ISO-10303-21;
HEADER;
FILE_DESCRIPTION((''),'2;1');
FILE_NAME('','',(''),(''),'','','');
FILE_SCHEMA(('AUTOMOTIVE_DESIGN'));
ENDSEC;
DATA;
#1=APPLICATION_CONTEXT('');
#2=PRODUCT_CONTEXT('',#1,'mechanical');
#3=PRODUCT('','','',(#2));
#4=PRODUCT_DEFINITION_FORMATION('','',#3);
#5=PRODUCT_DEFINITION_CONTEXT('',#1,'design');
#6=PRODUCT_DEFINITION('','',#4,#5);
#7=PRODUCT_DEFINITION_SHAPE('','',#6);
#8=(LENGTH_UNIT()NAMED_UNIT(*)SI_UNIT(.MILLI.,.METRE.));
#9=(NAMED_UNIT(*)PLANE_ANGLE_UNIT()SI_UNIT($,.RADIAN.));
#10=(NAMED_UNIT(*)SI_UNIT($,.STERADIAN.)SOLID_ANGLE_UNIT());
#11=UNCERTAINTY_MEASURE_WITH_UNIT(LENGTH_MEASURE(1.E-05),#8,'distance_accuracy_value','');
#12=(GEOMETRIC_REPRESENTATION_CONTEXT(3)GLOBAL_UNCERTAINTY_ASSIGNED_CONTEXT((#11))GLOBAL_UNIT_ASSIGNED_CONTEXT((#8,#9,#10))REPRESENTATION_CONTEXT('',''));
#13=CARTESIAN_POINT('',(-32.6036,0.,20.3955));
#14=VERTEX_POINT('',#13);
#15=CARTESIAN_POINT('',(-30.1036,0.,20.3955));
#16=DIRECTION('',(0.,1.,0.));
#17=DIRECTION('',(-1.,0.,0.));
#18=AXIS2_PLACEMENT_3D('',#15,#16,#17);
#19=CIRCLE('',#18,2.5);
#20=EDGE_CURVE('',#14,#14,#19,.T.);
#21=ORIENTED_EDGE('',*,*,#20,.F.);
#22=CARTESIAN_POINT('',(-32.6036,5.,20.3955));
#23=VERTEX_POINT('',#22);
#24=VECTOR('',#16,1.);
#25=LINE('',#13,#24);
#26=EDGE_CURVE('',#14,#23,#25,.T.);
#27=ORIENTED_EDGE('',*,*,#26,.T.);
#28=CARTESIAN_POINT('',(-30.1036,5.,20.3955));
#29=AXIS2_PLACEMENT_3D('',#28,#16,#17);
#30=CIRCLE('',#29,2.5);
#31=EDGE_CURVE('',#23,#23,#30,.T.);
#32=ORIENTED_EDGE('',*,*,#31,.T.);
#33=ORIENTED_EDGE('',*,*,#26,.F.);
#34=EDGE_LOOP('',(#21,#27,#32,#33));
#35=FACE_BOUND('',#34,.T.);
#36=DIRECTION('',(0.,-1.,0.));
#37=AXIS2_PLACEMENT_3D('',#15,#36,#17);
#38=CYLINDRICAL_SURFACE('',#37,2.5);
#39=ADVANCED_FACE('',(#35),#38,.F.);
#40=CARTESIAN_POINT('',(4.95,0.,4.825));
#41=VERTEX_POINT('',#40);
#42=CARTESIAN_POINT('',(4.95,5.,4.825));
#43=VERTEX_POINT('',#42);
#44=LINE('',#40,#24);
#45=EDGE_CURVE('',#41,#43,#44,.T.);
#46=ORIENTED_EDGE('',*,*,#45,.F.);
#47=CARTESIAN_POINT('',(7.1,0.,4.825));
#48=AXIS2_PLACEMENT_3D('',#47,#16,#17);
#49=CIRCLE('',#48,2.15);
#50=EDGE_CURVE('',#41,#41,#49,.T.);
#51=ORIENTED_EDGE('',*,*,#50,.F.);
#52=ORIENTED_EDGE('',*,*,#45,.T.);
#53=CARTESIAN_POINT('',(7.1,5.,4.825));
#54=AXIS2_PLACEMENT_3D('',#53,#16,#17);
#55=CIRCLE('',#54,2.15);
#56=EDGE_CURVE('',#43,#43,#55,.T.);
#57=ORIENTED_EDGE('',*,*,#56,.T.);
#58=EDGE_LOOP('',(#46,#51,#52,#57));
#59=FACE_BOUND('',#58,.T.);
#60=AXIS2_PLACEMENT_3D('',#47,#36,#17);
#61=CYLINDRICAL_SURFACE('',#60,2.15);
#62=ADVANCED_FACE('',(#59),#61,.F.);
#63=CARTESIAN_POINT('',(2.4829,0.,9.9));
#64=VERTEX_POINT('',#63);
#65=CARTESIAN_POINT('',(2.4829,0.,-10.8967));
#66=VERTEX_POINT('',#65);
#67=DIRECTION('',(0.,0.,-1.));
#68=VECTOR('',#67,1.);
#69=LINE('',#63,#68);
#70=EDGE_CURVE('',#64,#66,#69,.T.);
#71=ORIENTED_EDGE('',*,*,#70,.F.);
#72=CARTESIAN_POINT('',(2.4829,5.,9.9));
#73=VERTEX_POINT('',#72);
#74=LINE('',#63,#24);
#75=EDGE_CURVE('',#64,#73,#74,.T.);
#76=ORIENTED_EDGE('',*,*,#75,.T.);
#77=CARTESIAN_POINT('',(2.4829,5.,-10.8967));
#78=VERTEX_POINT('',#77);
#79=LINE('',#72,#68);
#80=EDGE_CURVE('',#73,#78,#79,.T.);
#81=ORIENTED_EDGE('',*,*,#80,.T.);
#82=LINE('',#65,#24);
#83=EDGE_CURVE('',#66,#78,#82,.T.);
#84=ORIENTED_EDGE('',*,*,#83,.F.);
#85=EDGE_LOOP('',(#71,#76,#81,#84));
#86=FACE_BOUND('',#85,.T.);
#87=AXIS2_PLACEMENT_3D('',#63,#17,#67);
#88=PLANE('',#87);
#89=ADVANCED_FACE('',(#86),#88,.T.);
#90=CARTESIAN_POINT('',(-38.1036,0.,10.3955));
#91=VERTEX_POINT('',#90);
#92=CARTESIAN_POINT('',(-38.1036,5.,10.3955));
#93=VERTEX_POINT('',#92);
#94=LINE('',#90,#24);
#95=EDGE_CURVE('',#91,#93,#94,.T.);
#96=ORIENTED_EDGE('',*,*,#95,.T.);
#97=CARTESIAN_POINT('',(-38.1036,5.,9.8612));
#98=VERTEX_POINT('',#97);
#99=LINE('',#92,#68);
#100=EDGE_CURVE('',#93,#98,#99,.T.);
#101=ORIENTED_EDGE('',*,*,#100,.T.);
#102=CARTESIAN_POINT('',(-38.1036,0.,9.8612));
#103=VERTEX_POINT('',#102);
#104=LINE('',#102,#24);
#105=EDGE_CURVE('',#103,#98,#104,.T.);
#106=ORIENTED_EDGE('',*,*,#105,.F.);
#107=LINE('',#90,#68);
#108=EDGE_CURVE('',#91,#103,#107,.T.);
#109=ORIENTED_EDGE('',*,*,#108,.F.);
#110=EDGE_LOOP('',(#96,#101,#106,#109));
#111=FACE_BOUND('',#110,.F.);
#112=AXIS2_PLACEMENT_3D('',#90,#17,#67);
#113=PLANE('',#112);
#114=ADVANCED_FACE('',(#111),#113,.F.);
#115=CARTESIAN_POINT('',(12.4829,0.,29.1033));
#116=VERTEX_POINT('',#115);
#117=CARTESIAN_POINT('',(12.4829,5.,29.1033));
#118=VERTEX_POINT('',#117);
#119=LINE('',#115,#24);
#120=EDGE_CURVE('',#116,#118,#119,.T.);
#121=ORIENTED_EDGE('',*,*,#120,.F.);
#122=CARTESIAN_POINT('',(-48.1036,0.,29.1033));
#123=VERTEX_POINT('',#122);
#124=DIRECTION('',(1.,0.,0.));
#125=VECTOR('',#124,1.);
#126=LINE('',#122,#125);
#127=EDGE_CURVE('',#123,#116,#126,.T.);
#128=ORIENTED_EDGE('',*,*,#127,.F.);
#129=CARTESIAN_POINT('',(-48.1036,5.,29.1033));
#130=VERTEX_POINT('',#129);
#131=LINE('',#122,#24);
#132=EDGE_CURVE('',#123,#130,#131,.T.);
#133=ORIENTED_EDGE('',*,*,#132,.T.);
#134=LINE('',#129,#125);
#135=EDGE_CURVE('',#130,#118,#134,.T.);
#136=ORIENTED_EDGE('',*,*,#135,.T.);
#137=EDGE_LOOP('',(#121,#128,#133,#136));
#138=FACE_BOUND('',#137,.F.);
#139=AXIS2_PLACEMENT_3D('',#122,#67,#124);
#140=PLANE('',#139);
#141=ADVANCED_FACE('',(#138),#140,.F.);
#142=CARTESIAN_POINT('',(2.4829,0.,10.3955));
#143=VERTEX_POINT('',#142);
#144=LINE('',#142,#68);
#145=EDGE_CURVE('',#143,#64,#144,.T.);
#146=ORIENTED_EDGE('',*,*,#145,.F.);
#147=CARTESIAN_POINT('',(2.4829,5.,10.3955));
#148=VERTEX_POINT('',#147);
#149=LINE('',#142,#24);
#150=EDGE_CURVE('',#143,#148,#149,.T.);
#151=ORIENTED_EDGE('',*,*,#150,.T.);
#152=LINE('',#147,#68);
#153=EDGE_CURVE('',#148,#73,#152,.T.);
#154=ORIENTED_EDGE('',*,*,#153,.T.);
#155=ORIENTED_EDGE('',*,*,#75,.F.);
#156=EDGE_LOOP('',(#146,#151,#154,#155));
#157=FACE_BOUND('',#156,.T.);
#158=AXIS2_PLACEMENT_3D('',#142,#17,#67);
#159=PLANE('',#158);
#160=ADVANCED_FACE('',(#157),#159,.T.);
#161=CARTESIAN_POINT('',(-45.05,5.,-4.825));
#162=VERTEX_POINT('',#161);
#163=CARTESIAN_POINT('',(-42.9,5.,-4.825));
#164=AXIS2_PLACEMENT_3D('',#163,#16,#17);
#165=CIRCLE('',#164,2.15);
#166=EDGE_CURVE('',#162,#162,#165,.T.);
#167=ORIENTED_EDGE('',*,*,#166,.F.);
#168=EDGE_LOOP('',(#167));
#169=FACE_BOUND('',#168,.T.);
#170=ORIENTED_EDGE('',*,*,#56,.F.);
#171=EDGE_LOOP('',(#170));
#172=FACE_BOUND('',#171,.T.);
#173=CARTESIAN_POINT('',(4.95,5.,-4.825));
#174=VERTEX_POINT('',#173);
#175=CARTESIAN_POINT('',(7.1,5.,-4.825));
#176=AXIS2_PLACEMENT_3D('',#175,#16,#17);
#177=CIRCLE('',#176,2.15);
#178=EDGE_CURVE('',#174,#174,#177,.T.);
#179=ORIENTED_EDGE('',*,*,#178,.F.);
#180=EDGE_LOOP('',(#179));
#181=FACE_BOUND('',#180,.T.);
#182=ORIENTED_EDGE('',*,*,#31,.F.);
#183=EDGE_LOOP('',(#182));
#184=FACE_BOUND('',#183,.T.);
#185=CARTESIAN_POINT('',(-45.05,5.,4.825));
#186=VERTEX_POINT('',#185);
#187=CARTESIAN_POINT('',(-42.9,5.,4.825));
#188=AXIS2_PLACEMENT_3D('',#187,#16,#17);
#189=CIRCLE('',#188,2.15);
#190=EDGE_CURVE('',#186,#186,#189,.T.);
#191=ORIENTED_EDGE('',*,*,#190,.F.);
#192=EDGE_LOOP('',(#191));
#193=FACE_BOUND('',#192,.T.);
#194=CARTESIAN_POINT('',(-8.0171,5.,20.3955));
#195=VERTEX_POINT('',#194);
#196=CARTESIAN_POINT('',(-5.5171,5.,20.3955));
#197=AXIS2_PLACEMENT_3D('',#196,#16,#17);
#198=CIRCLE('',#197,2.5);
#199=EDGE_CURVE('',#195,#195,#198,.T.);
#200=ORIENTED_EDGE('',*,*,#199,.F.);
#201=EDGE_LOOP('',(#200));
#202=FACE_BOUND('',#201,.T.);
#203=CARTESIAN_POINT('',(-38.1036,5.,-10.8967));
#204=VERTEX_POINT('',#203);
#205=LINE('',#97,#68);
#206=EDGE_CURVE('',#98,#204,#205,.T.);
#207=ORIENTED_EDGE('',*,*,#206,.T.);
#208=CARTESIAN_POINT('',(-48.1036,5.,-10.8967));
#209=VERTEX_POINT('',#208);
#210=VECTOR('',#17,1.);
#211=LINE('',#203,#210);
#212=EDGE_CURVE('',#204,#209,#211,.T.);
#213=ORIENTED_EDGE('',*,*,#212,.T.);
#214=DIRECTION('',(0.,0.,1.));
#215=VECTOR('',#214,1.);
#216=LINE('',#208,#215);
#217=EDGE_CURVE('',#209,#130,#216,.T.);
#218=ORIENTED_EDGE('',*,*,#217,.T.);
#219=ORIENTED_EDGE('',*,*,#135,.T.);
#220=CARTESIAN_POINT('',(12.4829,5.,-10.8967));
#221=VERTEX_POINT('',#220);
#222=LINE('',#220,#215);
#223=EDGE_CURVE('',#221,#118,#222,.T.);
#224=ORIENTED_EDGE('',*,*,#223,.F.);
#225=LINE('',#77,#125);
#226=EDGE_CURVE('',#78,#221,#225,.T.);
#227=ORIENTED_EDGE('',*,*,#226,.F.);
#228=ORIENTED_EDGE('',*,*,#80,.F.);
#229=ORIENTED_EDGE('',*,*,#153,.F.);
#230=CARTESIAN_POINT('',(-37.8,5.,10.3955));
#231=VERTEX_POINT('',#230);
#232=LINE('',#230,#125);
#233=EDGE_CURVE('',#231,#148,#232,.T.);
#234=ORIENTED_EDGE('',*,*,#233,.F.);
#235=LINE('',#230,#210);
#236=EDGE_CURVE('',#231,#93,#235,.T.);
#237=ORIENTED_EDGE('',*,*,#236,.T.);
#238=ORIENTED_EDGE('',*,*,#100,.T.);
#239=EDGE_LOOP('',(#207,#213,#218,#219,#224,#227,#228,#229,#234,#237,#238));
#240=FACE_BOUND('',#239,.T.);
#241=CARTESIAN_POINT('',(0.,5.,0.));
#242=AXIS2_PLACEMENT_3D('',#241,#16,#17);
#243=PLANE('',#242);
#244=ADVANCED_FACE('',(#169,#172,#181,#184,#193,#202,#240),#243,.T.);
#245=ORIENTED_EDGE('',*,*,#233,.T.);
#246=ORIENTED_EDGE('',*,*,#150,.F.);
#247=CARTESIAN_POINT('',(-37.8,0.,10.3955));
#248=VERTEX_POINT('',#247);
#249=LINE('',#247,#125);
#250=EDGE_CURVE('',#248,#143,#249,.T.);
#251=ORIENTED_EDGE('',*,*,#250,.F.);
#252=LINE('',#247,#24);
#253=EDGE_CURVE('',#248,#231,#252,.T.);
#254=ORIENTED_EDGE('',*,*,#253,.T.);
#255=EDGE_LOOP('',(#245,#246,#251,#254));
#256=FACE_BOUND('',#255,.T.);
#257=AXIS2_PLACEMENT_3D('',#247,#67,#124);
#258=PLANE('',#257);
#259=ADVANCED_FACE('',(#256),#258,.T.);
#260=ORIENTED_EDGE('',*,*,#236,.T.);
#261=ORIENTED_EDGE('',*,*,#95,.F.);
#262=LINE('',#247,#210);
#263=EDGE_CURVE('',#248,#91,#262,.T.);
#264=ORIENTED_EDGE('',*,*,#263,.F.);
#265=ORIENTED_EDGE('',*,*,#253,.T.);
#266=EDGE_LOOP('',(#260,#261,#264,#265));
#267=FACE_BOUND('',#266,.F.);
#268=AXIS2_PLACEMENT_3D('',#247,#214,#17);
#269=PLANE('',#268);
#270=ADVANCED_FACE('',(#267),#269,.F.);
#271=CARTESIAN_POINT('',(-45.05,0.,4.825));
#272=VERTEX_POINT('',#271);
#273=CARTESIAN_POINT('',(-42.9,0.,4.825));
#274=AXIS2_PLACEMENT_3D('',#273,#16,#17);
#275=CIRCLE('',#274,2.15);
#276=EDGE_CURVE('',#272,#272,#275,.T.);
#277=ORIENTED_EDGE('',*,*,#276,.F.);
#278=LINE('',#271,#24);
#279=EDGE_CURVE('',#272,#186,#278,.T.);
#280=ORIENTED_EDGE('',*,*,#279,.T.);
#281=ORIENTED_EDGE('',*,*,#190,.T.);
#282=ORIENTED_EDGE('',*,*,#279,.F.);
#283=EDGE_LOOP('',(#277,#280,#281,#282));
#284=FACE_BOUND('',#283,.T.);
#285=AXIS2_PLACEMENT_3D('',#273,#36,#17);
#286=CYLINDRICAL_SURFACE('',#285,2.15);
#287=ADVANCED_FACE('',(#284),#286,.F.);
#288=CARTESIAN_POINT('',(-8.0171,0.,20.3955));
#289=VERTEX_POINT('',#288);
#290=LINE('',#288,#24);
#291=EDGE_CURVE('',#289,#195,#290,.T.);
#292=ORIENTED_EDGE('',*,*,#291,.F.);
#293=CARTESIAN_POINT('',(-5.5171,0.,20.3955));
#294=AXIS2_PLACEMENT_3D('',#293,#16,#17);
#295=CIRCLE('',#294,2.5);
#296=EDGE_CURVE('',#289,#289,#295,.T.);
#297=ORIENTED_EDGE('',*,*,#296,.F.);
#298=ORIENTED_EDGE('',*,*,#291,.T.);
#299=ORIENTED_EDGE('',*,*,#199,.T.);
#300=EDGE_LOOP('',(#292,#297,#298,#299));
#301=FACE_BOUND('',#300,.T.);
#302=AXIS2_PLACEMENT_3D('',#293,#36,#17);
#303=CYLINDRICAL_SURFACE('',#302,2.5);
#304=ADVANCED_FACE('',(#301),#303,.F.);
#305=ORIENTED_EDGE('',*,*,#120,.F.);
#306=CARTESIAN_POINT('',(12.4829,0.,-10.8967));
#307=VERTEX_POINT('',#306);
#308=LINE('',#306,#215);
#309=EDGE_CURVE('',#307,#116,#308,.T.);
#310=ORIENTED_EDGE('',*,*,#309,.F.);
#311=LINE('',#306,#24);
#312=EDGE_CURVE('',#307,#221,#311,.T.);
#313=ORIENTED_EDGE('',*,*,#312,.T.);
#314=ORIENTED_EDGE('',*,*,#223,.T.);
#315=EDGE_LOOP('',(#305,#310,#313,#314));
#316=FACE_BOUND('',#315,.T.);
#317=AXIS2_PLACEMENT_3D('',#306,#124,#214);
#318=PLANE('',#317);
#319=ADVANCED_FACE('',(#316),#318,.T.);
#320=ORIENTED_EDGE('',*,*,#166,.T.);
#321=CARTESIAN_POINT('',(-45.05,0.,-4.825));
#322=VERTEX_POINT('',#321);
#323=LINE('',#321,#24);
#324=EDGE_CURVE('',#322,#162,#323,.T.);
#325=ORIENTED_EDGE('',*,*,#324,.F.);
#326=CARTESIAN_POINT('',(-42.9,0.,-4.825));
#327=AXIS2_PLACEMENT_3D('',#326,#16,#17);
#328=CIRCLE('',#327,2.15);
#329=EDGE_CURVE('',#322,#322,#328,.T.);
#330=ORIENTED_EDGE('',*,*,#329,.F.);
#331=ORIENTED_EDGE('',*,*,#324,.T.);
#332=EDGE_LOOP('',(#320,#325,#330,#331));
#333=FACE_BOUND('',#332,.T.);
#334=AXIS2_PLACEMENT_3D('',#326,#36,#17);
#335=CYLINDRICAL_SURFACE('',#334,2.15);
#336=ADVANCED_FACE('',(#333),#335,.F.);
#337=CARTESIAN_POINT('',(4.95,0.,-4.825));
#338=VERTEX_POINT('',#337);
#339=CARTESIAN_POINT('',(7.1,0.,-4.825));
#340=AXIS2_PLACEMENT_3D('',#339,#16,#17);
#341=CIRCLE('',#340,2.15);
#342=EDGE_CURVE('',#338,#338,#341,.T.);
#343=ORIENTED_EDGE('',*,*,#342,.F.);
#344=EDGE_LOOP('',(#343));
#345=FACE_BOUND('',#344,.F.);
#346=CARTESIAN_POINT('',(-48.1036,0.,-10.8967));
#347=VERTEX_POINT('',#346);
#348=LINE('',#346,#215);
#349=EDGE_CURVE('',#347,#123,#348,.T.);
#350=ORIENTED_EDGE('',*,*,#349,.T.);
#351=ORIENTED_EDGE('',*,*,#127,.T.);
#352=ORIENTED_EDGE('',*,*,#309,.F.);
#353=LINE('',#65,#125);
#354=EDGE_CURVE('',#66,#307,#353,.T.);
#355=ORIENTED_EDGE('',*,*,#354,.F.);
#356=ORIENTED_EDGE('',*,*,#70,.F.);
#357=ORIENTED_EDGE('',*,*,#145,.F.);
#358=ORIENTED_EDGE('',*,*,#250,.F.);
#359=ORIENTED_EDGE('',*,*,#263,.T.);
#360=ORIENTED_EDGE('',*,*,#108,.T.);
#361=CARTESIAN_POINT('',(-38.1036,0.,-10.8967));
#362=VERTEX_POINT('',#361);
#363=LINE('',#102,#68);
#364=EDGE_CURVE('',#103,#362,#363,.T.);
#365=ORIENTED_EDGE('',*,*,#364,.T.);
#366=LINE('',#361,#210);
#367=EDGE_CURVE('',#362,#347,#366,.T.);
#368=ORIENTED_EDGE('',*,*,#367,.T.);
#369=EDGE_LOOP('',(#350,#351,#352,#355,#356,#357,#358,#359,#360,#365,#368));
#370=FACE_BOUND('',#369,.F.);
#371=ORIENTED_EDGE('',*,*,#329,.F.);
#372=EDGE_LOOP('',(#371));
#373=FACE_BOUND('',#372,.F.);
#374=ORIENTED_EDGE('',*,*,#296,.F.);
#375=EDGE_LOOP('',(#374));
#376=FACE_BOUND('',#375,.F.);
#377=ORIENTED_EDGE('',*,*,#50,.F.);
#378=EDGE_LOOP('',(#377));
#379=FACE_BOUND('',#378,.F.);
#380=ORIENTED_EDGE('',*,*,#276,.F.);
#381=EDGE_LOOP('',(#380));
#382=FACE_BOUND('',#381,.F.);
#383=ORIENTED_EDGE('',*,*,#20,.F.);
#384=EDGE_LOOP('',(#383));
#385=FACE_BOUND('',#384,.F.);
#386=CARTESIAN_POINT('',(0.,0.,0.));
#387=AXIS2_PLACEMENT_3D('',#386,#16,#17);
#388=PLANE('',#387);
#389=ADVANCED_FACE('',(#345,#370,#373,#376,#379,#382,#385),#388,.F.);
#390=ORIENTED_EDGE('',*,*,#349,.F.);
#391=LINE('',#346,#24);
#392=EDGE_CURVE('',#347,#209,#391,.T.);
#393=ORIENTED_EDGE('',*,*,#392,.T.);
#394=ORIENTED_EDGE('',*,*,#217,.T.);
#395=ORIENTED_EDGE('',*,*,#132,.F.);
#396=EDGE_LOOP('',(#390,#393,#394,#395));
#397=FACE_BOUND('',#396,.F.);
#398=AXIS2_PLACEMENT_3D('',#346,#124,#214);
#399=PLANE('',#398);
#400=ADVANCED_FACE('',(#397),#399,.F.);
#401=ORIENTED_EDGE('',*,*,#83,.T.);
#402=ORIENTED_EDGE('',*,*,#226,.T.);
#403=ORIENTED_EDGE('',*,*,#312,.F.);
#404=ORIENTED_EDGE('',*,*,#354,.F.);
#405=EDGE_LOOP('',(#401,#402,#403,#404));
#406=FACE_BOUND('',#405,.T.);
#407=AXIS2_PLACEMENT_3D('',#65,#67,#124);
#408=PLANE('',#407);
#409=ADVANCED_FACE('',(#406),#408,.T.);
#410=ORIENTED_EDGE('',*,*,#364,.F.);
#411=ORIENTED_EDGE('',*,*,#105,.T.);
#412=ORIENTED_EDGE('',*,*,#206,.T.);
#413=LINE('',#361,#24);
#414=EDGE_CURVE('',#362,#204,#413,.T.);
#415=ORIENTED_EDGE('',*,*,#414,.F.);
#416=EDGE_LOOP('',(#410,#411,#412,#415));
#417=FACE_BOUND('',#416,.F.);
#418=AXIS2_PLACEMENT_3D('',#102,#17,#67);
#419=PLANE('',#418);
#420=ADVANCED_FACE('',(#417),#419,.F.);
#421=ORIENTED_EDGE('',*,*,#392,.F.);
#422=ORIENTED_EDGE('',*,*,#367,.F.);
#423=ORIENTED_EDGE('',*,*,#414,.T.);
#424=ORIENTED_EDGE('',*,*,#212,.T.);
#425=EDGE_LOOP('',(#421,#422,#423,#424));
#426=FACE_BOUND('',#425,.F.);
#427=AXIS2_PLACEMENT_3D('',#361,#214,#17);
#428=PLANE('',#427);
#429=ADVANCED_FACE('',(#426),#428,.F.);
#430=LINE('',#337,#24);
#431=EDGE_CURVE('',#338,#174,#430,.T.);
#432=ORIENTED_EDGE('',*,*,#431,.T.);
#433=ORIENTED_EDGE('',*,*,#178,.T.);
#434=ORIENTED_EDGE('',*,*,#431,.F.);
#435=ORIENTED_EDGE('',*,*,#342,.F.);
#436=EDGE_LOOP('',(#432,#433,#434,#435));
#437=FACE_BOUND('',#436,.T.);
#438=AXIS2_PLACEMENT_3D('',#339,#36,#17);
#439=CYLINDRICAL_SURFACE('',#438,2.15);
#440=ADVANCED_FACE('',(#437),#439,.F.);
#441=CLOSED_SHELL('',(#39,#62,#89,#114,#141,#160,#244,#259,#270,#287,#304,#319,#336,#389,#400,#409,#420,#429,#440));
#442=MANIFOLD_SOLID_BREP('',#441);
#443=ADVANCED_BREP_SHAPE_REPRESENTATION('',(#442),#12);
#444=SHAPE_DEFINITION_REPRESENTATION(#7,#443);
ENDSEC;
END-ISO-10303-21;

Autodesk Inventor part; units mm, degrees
ref_plane "YZ Plane" through (0, 0, 0) normal (1, 0, 0) x (0, 1, 0)
ref_plane "XZ Plane" through (0, 0, 0) normal (0, 1, 0) x (-1, 0, 0)
ref_plane "XY Plane" through (0, 0, 0) normal (0, 0, 1) x (1, 0, 0)
sketch "Sketch1" plane through (0, 0, 0) normal (0, 1, 0) x (-1, 0, 0)
  circle A0 centre (42.9, 4.825) radius 2.15
  circle A1 centre (42.9, -4.825) radius 2.15
  circle A2 centre (-7.1, 4.825) radius 2.15
  circle A3 centre (-7.1, -4.825) radius 2.15
  line L0 (-2.4829, 9.9) -> (-2.4829, -10.8967)
  line L1 (-2.4829, -10.8967) -> (-12.4829, -10.8967)
  line L2 (-12.4829, -10.8967) -> (-12.4829, 29.1033)
  line L3 (38.1036, 9.8612) -> (38.1036, -10.8967)
  line L4 (38.1036, -10.8967) -> (48.1036, -10.8967)
  line L5 (48.1036, -10.8967) -> (48.1036, 29.1033)
  line L6 (48.1036, 29.1033) -> (-12.4829, 29.1033)
  line L7 (37.8, 10.3955) -> (-2.4829, 10.3955)
  line L8 (37.8, 10.3955) -> (38.1036, 10.3955)
  line L9 (38.1036, 10.3955) -> (38.1036, 9.8612)
  line L10 (-2.4829, 10.3955) -> (-2.4829, 9.9)
  circle A4 centre (30.1036, 20.3955) radius 2.5
  circle A5 centre (5.5171, 20.3955) radius 2.5
  point P0 (0, 0)
  point P1 (17.9, 0)
  point P2 (44.6821, 6.0277)
  point P3 (44.6821, -3.6223)
  point P4 (43.1036, -10.8967)
  dimension "d10" = 4.3
  dimension "d11" = 4.3
  dimension "d0" = 10
  dimension "d1" = 40
  dimension "d2" = 10
  dimension "d3" = 40
  dimension "d4" = 5
  dimension "d5" = 5
  dimension "d6" = 18
  dimension "d7" = 18
  dimension "d8" = 10
  dimension "d9" = 10
  dimension "d12" = 4.3
  dimension "d13" = 4.3
  dimension "d14" = 4.7964
  dimension "d15" = 4.7964
  dimension "d16" = 9.65
  dimension "d17" = 6.0717
  dimension "d18" = 9.65
  dimension "d19" = 6.0717
  dimension "d20" = 4.6171
  dimension "d21" = 4.6171
extrude "Extrusion1" add sketch "Sketch1" along normal blind 5
properties part number "mieng_do_servo_5mm"
